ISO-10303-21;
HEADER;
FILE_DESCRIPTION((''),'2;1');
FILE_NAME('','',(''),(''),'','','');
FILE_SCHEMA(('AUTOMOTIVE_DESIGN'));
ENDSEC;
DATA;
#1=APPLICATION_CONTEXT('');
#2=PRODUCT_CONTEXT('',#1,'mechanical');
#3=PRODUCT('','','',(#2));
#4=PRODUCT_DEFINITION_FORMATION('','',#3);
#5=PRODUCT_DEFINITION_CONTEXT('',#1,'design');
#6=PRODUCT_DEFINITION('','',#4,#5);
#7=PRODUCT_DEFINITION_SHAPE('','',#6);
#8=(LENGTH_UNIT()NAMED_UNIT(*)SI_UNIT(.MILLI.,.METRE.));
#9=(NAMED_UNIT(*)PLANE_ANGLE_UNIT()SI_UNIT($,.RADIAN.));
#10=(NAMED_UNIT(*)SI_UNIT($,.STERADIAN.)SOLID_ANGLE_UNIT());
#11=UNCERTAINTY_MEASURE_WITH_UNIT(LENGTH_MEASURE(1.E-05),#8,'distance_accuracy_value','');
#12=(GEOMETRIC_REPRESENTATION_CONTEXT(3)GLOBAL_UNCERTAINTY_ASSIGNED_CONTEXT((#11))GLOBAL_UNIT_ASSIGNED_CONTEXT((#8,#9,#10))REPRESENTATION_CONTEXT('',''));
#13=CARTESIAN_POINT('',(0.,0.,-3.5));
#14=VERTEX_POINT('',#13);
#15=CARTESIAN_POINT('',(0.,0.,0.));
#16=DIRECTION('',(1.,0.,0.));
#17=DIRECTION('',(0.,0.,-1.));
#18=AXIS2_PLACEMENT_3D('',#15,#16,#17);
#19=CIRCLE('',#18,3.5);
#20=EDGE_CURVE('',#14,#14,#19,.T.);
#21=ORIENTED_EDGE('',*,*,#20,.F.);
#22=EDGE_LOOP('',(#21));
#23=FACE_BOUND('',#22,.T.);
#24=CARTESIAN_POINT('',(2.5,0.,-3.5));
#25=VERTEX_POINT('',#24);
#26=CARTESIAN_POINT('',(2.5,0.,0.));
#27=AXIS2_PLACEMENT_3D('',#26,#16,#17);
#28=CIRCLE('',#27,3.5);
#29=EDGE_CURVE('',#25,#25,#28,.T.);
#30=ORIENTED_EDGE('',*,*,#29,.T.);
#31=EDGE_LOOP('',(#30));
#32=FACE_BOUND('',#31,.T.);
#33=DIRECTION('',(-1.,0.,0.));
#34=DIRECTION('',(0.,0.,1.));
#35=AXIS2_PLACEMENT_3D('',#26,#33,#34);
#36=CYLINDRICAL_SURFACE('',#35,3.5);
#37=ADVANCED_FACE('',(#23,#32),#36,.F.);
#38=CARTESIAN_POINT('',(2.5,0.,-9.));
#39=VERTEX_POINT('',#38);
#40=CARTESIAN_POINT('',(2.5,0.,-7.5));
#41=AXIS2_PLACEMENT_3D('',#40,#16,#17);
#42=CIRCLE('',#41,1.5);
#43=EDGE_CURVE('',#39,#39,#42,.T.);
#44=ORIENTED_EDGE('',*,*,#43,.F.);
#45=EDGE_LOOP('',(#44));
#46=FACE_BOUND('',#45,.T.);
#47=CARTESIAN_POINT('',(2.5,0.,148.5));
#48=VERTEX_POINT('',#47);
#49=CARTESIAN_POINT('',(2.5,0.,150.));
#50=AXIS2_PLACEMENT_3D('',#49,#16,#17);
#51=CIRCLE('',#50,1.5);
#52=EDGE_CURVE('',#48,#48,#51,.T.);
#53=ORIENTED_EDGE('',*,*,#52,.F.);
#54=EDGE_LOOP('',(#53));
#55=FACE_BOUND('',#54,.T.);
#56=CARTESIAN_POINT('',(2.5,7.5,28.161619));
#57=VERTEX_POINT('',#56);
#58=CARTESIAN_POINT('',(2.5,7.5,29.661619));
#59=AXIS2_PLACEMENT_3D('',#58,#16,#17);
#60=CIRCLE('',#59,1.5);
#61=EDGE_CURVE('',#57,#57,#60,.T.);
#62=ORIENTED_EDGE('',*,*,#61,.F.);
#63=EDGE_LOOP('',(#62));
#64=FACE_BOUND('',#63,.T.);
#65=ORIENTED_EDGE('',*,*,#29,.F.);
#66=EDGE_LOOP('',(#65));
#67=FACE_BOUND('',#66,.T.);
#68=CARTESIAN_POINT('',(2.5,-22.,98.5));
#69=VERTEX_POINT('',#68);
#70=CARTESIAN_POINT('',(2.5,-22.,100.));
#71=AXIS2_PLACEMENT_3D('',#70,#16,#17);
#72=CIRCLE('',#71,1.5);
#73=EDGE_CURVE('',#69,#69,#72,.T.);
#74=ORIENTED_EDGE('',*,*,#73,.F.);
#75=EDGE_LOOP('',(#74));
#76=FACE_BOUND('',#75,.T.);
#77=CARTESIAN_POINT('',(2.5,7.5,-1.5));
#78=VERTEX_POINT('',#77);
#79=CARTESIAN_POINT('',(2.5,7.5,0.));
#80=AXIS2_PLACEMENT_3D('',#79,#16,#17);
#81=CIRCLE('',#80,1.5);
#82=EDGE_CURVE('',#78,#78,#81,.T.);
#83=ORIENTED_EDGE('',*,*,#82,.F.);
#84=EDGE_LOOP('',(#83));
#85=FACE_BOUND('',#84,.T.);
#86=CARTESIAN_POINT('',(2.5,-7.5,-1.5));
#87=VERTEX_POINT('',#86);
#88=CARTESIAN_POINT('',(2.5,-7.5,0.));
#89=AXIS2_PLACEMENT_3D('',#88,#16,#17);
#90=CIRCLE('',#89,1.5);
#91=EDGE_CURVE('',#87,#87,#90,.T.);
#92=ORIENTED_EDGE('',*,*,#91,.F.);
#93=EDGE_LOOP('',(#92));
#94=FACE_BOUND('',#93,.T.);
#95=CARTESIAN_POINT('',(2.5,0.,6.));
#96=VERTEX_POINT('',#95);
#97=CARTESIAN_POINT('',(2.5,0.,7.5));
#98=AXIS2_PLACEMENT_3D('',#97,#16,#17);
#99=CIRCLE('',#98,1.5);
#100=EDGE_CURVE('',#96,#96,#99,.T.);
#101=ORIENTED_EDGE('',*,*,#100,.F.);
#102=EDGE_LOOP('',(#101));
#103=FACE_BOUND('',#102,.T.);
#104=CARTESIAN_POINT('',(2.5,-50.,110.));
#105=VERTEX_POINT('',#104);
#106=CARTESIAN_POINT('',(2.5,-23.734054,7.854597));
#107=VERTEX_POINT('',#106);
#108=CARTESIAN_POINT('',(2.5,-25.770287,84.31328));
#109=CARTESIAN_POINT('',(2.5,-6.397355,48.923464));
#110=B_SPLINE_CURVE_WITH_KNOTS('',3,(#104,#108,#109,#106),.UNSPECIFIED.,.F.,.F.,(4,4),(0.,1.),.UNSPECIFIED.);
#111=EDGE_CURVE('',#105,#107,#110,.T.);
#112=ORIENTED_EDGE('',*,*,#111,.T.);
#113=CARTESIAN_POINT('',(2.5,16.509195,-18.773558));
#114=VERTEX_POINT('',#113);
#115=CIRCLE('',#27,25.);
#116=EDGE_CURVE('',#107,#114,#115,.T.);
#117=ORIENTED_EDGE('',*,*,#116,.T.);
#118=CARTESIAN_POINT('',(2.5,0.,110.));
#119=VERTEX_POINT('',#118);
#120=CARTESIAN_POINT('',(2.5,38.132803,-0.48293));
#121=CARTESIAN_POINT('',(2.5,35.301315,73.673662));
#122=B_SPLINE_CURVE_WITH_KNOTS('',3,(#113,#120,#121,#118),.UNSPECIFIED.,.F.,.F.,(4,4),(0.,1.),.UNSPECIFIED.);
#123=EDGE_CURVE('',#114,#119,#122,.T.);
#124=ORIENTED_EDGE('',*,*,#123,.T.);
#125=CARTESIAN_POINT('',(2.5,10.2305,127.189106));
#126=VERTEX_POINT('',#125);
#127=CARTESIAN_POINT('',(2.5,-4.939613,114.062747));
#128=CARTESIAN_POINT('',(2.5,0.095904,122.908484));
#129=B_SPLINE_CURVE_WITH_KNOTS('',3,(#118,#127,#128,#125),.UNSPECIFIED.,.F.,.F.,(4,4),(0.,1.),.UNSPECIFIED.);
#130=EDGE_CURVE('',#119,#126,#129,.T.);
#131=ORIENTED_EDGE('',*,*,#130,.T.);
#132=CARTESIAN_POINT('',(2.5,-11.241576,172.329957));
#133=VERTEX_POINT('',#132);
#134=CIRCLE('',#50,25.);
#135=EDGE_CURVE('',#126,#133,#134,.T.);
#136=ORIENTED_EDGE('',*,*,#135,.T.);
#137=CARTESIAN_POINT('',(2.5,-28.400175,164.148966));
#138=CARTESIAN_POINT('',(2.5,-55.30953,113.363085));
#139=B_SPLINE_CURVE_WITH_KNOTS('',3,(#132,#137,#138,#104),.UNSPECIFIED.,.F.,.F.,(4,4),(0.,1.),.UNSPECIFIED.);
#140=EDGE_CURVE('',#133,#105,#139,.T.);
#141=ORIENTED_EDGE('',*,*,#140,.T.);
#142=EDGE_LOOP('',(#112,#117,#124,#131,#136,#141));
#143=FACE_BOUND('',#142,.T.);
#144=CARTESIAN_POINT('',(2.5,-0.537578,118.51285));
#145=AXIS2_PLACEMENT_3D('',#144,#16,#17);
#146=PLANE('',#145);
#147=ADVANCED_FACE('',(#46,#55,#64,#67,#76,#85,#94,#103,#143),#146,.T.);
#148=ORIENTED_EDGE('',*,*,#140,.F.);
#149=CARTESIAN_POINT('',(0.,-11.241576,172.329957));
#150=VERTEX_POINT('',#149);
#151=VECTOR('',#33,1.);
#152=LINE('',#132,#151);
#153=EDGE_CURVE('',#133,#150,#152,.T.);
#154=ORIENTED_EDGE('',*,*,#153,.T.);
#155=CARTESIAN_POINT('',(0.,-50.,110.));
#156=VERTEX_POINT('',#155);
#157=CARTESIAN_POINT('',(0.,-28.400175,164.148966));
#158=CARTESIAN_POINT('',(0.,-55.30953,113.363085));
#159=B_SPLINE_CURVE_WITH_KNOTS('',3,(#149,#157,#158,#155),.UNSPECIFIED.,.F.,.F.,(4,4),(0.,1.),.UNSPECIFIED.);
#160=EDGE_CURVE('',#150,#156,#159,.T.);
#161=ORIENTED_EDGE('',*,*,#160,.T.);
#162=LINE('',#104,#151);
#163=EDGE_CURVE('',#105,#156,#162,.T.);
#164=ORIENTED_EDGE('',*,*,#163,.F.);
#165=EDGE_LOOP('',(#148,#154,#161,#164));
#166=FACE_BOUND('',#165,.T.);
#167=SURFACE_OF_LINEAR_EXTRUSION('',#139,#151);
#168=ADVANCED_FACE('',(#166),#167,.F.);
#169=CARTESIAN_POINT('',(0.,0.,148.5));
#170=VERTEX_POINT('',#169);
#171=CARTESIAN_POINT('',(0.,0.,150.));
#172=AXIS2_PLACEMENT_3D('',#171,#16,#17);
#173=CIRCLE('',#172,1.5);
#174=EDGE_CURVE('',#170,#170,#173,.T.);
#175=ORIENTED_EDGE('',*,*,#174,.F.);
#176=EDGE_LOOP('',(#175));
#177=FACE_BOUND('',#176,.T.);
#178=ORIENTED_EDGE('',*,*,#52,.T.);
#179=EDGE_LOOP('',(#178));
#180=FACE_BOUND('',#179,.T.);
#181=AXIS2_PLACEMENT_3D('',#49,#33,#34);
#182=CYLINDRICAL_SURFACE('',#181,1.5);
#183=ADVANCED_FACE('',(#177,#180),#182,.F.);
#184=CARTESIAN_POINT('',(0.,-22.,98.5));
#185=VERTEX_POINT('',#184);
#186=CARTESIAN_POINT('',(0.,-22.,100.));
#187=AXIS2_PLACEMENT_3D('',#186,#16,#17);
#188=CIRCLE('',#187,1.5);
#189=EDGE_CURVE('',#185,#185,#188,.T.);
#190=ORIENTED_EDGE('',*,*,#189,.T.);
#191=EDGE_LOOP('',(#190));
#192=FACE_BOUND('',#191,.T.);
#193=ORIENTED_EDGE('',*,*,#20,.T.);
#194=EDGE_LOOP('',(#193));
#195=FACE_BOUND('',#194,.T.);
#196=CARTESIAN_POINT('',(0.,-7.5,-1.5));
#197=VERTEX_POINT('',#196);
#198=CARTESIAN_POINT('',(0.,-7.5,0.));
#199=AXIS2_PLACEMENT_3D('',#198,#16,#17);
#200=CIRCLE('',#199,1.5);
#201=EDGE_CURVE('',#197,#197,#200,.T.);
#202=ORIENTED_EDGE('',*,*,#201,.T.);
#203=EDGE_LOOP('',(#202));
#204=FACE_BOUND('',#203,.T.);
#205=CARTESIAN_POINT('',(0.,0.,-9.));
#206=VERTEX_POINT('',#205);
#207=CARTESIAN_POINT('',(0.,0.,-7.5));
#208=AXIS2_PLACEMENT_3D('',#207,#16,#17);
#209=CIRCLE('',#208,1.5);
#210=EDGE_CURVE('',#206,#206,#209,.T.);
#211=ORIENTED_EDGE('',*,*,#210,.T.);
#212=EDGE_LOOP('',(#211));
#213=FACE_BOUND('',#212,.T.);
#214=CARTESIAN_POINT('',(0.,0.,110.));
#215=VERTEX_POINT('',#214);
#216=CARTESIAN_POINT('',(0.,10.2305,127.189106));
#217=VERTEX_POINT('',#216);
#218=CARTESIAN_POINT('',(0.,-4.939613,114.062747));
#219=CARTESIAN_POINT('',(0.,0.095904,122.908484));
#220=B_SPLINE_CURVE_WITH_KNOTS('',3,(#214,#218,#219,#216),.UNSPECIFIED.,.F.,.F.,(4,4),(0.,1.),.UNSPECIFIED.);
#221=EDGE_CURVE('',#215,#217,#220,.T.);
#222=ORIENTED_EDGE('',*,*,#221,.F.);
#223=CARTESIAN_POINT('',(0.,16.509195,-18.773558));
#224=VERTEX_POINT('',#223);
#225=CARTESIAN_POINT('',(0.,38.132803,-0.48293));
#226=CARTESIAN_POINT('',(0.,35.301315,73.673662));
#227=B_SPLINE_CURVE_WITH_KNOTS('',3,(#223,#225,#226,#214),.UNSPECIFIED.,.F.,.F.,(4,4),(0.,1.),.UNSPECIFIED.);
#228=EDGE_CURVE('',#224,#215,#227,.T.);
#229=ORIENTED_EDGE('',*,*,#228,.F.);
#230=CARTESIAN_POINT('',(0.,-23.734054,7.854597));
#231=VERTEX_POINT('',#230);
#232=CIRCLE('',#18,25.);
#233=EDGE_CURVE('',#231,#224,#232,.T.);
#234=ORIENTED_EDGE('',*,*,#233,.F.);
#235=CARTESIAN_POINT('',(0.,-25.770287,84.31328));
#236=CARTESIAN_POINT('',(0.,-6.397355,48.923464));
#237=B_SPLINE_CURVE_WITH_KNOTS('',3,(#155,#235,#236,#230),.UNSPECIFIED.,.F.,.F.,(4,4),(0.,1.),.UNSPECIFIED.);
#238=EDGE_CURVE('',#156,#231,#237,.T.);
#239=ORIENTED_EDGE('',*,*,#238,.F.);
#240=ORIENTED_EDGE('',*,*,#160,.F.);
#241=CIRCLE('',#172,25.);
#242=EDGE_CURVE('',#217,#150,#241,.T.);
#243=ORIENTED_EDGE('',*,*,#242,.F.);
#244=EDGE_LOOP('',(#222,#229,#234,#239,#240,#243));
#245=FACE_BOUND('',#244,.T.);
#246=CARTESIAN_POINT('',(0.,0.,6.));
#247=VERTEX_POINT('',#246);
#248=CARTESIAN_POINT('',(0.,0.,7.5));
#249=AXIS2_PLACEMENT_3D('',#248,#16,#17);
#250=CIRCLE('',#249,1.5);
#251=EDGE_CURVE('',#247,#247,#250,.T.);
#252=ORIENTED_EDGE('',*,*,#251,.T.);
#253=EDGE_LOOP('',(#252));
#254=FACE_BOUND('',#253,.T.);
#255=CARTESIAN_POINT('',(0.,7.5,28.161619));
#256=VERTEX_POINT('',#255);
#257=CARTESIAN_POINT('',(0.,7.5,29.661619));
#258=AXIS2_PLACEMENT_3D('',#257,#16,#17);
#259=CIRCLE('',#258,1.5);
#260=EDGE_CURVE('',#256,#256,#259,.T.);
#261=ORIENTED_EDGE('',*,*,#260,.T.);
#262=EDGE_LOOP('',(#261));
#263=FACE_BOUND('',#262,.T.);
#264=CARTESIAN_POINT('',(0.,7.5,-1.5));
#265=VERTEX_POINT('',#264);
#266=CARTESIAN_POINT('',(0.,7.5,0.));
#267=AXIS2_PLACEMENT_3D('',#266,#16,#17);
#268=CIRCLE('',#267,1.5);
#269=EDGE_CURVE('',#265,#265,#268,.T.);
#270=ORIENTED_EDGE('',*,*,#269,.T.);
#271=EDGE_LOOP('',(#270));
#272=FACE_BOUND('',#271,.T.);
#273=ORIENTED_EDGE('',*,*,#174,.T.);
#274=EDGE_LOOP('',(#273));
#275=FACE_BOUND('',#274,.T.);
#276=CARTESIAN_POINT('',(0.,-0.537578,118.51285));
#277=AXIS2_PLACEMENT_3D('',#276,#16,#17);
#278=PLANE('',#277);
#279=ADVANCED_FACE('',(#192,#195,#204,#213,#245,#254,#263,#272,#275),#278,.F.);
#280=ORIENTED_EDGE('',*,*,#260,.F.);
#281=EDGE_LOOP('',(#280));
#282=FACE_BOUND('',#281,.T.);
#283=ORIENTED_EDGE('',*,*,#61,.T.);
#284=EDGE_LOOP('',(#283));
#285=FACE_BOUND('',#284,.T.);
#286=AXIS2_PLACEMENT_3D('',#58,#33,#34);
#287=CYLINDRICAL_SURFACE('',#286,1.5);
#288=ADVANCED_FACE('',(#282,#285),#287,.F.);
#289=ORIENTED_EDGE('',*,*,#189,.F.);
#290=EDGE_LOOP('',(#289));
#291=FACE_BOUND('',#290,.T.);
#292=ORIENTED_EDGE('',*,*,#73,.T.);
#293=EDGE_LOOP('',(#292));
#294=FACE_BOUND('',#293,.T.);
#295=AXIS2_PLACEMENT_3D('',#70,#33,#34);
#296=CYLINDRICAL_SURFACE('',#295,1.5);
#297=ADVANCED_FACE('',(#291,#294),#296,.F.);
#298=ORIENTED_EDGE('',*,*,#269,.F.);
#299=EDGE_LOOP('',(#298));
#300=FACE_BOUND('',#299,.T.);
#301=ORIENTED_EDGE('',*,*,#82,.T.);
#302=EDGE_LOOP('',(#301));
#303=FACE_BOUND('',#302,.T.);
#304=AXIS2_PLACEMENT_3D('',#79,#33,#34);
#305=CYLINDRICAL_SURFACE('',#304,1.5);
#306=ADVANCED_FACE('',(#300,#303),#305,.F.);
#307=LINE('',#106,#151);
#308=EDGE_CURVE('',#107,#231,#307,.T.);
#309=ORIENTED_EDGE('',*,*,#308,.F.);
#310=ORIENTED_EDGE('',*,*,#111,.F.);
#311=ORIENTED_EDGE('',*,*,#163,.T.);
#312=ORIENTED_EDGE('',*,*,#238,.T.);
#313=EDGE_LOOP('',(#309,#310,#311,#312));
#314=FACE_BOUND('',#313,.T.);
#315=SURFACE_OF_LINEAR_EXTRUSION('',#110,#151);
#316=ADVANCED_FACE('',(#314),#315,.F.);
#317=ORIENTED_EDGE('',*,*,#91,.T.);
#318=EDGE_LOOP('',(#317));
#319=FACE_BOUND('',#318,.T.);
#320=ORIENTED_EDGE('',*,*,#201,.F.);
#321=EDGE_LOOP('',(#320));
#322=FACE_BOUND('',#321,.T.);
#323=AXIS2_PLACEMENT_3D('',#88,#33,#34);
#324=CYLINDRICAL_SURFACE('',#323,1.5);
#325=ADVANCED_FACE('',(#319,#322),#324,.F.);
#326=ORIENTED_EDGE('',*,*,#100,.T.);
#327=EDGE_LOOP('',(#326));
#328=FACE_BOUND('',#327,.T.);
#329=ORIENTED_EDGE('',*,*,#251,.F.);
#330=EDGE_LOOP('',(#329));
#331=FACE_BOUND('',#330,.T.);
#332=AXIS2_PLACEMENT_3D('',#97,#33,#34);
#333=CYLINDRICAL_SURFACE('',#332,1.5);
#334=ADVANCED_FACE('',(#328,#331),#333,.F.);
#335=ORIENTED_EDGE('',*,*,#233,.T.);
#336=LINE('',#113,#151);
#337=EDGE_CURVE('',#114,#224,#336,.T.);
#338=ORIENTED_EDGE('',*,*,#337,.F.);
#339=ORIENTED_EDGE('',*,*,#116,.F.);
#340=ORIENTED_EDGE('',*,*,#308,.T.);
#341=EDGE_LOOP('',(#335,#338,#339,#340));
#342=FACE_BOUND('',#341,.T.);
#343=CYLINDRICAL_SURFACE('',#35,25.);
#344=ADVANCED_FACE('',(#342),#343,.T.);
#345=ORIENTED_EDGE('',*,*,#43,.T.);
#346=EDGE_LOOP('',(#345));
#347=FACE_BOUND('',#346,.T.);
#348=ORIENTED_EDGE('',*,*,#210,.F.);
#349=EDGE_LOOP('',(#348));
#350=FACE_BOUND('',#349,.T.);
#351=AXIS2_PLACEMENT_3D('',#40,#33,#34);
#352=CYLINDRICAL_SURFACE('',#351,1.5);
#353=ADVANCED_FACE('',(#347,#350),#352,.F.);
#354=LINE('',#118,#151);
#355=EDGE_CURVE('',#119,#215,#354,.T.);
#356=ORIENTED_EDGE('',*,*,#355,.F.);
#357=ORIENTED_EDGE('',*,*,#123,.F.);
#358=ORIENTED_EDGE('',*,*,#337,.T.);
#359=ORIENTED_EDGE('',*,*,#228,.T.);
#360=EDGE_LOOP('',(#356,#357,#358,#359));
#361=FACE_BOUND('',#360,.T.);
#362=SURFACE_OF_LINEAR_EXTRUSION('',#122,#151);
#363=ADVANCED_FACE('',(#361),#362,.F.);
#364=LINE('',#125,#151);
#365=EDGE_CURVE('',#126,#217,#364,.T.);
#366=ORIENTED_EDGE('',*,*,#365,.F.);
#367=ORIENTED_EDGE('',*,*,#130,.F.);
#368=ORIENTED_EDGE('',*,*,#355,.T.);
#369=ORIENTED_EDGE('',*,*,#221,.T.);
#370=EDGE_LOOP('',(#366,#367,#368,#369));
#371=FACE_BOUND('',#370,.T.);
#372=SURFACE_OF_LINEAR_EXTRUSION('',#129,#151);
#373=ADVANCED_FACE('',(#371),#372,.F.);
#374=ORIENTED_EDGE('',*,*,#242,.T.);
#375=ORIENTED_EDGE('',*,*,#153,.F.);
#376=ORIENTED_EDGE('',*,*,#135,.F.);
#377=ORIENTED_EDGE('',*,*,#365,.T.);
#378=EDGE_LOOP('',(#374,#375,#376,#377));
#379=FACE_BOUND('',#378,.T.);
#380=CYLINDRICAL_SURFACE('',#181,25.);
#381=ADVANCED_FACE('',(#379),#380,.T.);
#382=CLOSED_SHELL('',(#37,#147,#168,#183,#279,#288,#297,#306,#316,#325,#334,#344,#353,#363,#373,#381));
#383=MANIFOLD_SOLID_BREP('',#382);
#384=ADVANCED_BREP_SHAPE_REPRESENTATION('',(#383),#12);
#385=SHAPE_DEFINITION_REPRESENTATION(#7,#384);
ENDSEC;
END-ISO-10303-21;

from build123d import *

# Parameters (mm, degrees)
CROQUIS1_R              = 1.5
CROQUIS1_R_2            = 3.5
SALIENTE_EXTRUIR1_DEPTH = 2.5


with BuildPart() as part:
    # Croquis1 → Saliente-Extruir1 (new body)
    with BuildSketch(Plane(origin=(0, 0, 0), x_dir=(0, 0, -1), z_dir=(1, 0, 0))):
        with BuildLine():
            ThreePointArc((-7.85459709, -23.73405369), (20.849117368, -13.795445081), (18.773557908, 16.509195119))
            add(Edge.make_bspline(
                [(-110, 0), (-73.673662094, 35.301314783), (0.482929837, 38.132802583), (18.773557908, 16.509195119)],
                knots=[0, 0, 0, 0, 1, 1, 1, 1], degree=3))
            add(Edge.make_bspline(
                [(-110, 0), (-114.062747325, -4.939612892), (-122.908484161, 0.095903893), (-127.189106422, 10.230500191)],
                knots=[0, 0, 0, 0, 1, 1, 1, 1], degree=3))
            ThreePointArc((-127.189106422, 10.230500191), (-160.738730688, 22.576086092), (-172.329956868, -11.241575792))
            add(Edge.make_bspline(
                [(-110, -50), (-113.363085111, -55.309529938), (-164.148966012, -28.400175315), (-172.329956868, -11.241575792)],
                knots=[0, 0, 0, 0, 1, 1, 1, 1], degree=3))
            add(Edge.make_bspline(
                [(-110, -50), (-84.313279839, -25.770287147), (-48.9234642, -6.39735454), (-7.85459709, -23.73405369)],
                knots=[0, 0, 0, 0, 1, 1, 1, 1], degree=3))
        make_face()
        with Locations((-150, 0)):
            Circle(CROQUIS1_R, mode=Mode.SUBTRACT)
        Circle(CROQUIS1_R_2, mode=Mode.SUBTRACT)
        with Locations((-29.661618982, 7.5)):
            Circle(CROQUIS1_R, mode=Mode.SUBTRACT)
        with Locations((-7.5, 0)):
            Circle(CROQUIS1_R, mode=Mode.SUBTRACT)
        with Locations((0, -7.5)):
            Circle(CROQUIS1_R, mode=Mode.SUBTRACT)
        with Locations((0, 7.5)):
            Circle(CROQUIS1_R, mode=Mode.SUBTRACT)
        with Locations((7.5, 0)):
            Circle(CROQUIS1_R, mode=Mode.SUBTRACT)
        with Locations((-100, -22)):
            Circle(CROQUIS1_R, mode=Mode.SUBTRACT)
    extrude(amount=SALIENTE_EXTRUIR1_DEPTH)


solid = part.part
